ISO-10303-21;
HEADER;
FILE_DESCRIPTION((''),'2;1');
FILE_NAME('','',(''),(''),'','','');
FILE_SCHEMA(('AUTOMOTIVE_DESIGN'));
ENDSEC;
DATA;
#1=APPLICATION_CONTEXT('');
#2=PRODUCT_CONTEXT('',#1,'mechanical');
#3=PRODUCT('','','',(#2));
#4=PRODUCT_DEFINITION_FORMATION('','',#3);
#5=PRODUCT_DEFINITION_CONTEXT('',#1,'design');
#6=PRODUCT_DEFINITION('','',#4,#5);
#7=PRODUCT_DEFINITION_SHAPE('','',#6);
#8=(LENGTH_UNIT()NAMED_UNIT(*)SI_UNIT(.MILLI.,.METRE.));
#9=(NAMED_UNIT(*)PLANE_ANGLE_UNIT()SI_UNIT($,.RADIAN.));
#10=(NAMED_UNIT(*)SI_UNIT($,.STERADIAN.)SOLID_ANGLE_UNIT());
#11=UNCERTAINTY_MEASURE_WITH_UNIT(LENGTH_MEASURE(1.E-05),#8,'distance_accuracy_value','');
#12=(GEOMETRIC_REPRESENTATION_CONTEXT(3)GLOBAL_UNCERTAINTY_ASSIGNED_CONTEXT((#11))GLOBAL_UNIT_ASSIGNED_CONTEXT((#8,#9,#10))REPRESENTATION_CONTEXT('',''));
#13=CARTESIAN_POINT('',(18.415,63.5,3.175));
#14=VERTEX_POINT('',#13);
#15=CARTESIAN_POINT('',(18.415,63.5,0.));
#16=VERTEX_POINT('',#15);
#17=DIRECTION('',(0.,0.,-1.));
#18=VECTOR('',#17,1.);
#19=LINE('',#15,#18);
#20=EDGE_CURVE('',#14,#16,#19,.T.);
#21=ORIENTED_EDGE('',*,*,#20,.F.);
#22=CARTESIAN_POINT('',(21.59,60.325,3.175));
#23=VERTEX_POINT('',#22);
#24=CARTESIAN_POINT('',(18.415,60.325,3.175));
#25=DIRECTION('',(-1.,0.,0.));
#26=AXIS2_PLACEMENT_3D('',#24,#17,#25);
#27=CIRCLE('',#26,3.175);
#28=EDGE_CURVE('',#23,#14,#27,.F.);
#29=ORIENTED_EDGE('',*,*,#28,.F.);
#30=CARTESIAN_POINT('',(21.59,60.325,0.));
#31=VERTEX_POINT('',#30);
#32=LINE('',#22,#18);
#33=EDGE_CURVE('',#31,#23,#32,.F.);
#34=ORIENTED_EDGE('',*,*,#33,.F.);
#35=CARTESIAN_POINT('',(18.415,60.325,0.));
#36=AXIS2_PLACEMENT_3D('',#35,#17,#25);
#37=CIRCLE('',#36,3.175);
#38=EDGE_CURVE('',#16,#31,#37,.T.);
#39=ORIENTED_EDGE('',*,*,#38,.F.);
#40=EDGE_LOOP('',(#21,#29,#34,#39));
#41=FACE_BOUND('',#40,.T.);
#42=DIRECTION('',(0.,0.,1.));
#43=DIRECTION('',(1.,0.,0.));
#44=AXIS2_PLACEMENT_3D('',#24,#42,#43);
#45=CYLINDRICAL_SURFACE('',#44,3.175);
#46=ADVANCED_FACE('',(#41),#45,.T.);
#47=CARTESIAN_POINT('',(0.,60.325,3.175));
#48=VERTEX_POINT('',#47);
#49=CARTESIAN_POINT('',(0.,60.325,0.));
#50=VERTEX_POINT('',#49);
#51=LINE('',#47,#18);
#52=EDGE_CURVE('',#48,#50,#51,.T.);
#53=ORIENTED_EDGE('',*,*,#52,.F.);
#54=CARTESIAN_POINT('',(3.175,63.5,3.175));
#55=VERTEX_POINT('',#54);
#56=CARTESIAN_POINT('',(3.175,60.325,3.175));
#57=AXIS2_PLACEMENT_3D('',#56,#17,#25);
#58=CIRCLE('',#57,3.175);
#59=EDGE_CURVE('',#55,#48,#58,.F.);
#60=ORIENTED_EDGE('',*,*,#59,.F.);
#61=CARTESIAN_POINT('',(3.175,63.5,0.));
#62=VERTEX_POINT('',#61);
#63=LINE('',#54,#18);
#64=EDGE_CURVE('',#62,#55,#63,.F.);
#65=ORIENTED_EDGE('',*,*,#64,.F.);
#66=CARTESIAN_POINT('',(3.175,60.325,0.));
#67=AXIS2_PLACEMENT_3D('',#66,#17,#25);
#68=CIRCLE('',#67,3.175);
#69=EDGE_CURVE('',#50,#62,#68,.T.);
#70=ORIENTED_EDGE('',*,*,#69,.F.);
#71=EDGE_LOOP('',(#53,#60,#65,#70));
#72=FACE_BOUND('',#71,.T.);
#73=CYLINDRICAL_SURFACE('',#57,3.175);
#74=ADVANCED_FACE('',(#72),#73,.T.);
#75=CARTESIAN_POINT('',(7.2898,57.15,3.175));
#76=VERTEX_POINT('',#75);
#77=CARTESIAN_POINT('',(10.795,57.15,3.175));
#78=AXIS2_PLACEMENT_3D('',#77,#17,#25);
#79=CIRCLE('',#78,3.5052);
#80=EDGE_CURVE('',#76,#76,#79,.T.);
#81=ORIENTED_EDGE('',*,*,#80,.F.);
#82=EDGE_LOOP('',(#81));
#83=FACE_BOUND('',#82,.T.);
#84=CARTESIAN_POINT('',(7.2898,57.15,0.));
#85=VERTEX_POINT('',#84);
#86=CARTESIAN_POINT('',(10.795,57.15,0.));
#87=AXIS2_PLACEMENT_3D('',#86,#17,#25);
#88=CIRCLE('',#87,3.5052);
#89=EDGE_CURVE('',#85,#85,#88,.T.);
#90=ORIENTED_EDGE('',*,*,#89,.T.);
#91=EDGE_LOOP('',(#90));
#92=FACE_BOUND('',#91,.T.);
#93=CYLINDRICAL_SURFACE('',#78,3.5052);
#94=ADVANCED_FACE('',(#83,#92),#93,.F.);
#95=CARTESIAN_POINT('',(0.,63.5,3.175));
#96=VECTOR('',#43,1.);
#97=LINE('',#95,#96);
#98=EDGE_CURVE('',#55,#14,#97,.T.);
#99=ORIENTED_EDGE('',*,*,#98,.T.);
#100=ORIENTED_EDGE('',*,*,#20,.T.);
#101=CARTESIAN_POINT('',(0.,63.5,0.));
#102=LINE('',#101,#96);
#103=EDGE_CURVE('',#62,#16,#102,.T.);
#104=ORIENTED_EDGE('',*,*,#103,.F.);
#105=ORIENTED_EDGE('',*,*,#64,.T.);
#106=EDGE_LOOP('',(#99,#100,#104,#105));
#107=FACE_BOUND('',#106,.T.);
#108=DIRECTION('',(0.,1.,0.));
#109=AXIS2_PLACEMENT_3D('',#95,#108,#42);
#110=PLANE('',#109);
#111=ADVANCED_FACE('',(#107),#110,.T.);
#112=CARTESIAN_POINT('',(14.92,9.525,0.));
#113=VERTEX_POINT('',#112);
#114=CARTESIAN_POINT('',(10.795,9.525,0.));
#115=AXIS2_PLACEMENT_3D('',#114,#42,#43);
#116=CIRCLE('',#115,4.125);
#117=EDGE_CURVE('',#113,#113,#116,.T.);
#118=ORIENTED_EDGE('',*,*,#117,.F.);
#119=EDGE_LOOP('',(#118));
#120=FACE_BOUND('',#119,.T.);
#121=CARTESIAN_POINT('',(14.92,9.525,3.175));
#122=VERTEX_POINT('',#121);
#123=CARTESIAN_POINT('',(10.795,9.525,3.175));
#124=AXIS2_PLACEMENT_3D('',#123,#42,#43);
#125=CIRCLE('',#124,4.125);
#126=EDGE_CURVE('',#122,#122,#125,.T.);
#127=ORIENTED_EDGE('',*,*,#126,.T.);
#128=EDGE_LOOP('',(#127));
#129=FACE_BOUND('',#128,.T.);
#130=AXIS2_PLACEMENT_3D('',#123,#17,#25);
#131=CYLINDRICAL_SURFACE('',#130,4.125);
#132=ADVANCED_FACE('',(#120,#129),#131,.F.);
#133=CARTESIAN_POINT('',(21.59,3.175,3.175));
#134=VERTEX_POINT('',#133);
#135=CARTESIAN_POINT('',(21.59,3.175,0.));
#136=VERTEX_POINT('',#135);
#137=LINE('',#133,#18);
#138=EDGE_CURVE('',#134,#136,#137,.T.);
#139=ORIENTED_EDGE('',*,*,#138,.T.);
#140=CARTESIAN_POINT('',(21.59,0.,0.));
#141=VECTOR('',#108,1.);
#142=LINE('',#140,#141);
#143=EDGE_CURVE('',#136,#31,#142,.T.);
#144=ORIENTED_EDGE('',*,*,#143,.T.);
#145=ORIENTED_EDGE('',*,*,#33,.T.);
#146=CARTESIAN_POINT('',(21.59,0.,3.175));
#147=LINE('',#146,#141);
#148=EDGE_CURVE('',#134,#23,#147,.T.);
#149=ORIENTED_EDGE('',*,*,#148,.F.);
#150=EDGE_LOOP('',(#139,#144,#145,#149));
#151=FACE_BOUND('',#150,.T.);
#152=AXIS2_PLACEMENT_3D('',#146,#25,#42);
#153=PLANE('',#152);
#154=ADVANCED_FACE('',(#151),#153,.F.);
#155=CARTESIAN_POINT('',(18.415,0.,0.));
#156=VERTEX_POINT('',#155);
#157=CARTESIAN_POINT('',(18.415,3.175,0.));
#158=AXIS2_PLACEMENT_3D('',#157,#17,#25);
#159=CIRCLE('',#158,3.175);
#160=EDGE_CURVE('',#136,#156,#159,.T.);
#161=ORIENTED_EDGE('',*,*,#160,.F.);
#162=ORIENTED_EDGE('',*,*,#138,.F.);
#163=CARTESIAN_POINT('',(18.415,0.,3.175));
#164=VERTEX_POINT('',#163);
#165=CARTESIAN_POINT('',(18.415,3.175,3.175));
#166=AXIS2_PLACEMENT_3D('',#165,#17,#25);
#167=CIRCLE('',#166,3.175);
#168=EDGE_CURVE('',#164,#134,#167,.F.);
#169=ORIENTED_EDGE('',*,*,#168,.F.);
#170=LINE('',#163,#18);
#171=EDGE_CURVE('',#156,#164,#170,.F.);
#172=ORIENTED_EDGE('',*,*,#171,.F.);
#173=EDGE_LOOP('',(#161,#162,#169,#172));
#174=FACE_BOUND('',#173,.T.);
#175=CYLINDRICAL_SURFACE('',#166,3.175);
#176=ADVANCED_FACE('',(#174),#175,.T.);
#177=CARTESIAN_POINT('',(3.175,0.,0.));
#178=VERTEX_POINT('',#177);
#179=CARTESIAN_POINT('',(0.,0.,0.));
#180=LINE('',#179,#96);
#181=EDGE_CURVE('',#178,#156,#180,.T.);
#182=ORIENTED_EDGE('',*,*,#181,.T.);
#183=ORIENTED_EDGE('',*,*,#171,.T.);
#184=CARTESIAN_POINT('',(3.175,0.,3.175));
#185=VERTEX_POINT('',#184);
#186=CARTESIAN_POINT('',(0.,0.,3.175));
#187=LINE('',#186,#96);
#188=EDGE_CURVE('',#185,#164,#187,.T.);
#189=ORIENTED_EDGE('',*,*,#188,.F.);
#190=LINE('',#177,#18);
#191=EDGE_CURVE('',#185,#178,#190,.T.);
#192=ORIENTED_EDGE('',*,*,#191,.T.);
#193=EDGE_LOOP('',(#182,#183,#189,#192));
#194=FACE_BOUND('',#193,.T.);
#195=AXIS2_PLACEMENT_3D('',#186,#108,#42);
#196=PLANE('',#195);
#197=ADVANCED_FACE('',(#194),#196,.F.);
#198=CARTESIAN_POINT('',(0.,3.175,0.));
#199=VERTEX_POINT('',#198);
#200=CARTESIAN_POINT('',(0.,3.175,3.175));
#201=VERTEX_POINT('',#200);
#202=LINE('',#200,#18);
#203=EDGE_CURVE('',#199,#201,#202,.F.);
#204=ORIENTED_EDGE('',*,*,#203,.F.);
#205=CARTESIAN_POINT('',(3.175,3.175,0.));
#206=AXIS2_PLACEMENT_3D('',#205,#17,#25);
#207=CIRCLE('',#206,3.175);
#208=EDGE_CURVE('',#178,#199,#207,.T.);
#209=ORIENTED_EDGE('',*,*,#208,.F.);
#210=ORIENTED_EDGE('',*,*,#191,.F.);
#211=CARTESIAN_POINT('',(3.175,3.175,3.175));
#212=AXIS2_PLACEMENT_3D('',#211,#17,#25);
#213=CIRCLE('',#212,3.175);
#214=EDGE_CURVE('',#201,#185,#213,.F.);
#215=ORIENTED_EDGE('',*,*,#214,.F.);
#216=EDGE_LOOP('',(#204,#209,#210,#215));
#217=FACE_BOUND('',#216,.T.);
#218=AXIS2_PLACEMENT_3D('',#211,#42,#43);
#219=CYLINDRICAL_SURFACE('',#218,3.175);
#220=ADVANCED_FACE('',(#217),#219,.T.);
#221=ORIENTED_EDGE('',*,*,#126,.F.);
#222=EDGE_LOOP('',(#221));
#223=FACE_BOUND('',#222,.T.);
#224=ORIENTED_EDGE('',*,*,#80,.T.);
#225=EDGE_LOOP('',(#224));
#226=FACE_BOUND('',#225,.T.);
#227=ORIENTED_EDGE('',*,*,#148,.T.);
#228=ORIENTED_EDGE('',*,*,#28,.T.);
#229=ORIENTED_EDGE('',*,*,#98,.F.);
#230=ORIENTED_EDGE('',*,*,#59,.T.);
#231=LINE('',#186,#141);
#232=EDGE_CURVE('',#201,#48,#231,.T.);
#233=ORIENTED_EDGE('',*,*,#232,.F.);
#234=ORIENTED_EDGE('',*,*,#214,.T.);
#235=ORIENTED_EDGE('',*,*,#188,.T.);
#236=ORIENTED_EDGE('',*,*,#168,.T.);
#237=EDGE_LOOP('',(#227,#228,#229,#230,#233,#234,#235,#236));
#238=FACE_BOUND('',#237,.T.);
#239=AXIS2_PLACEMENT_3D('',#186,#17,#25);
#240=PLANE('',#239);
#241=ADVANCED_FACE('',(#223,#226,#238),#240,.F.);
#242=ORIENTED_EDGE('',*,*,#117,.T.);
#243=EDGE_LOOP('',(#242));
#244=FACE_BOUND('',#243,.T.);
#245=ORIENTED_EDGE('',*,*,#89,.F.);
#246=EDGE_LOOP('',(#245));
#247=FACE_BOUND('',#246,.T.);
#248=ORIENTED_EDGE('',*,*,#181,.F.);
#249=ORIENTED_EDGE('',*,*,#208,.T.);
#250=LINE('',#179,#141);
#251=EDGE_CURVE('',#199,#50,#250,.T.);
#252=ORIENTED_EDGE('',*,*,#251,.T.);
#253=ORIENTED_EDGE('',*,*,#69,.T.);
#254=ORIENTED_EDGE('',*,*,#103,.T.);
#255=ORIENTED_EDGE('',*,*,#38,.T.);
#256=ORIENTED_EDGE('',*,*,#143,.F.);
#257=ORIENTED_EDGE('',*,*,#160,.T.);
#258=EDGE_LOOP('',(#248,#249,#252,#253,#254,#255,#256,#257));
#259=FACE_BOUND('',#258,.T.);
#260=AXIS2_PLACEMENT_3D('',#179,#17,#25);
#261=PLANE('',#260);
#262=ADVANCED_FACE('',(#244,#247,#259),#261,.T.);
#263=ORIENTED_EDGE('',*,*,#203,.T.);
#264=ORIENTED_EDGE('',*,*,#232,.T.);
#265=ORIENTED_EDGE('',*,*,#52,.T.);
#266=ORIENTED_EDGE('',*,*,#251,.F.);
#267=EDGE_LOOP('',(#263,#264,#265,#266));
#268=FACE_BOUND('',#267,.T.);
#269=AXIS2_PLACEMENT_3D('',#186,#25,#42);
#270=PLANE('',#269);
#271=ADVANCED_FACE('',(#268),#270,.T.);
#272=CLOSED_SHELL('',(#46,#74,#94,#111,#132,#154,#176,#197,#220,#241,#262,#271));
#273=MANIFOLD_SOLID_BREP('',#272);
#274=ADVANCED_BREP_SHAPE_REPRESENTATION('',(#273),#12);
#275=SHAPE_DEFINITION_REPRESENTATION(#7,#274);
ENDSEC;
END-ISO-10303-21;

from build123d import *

# Parameters (mm, degrees)
SKETCH1_W           = 21.59
SKETCH1_H           = 63.5
SKETCH1_R           = 4.124999878
SKETCH1_R_2         = 3.5052
BOSS_EXTRUDE1_DEPTH = 3.175
FILLET1_R           = 3.175


with BuildPart() as part:
    # Sketch1 → Boss-Extrude1 (new body)
    with BuildSketch(Plane.XY):
        with Locations((10.795, 31.75)):
            Rectangle(SKETCH1_W, SKETCH1_H)
        with Locations((10.795, 9.525)):
            Circle(SKETCH1_R, mode=Mode.SUBTRACT)
        with Locations(Location((10.795, 57.15, 0), (0, 0, 180))):
            Circle(SKETCH1_R_2, mode=Mode.SUBTRACT)
    extrude(amount=BOSS_EXTRUDE1_DEPTH)

    # Fillet1
    fillet1_edges = [part.edges().sort_by_distance(p)[0] for p in [
        (0, 0, 1.5875),
        (21.59, 0, 1.5875),
        (21.59, 63.5, 1.5875),
        (0, 63.5, 1.5875),
    ]]
    fillet(fillet1_edges, radius=FILLET1_R)


solid = part.part
